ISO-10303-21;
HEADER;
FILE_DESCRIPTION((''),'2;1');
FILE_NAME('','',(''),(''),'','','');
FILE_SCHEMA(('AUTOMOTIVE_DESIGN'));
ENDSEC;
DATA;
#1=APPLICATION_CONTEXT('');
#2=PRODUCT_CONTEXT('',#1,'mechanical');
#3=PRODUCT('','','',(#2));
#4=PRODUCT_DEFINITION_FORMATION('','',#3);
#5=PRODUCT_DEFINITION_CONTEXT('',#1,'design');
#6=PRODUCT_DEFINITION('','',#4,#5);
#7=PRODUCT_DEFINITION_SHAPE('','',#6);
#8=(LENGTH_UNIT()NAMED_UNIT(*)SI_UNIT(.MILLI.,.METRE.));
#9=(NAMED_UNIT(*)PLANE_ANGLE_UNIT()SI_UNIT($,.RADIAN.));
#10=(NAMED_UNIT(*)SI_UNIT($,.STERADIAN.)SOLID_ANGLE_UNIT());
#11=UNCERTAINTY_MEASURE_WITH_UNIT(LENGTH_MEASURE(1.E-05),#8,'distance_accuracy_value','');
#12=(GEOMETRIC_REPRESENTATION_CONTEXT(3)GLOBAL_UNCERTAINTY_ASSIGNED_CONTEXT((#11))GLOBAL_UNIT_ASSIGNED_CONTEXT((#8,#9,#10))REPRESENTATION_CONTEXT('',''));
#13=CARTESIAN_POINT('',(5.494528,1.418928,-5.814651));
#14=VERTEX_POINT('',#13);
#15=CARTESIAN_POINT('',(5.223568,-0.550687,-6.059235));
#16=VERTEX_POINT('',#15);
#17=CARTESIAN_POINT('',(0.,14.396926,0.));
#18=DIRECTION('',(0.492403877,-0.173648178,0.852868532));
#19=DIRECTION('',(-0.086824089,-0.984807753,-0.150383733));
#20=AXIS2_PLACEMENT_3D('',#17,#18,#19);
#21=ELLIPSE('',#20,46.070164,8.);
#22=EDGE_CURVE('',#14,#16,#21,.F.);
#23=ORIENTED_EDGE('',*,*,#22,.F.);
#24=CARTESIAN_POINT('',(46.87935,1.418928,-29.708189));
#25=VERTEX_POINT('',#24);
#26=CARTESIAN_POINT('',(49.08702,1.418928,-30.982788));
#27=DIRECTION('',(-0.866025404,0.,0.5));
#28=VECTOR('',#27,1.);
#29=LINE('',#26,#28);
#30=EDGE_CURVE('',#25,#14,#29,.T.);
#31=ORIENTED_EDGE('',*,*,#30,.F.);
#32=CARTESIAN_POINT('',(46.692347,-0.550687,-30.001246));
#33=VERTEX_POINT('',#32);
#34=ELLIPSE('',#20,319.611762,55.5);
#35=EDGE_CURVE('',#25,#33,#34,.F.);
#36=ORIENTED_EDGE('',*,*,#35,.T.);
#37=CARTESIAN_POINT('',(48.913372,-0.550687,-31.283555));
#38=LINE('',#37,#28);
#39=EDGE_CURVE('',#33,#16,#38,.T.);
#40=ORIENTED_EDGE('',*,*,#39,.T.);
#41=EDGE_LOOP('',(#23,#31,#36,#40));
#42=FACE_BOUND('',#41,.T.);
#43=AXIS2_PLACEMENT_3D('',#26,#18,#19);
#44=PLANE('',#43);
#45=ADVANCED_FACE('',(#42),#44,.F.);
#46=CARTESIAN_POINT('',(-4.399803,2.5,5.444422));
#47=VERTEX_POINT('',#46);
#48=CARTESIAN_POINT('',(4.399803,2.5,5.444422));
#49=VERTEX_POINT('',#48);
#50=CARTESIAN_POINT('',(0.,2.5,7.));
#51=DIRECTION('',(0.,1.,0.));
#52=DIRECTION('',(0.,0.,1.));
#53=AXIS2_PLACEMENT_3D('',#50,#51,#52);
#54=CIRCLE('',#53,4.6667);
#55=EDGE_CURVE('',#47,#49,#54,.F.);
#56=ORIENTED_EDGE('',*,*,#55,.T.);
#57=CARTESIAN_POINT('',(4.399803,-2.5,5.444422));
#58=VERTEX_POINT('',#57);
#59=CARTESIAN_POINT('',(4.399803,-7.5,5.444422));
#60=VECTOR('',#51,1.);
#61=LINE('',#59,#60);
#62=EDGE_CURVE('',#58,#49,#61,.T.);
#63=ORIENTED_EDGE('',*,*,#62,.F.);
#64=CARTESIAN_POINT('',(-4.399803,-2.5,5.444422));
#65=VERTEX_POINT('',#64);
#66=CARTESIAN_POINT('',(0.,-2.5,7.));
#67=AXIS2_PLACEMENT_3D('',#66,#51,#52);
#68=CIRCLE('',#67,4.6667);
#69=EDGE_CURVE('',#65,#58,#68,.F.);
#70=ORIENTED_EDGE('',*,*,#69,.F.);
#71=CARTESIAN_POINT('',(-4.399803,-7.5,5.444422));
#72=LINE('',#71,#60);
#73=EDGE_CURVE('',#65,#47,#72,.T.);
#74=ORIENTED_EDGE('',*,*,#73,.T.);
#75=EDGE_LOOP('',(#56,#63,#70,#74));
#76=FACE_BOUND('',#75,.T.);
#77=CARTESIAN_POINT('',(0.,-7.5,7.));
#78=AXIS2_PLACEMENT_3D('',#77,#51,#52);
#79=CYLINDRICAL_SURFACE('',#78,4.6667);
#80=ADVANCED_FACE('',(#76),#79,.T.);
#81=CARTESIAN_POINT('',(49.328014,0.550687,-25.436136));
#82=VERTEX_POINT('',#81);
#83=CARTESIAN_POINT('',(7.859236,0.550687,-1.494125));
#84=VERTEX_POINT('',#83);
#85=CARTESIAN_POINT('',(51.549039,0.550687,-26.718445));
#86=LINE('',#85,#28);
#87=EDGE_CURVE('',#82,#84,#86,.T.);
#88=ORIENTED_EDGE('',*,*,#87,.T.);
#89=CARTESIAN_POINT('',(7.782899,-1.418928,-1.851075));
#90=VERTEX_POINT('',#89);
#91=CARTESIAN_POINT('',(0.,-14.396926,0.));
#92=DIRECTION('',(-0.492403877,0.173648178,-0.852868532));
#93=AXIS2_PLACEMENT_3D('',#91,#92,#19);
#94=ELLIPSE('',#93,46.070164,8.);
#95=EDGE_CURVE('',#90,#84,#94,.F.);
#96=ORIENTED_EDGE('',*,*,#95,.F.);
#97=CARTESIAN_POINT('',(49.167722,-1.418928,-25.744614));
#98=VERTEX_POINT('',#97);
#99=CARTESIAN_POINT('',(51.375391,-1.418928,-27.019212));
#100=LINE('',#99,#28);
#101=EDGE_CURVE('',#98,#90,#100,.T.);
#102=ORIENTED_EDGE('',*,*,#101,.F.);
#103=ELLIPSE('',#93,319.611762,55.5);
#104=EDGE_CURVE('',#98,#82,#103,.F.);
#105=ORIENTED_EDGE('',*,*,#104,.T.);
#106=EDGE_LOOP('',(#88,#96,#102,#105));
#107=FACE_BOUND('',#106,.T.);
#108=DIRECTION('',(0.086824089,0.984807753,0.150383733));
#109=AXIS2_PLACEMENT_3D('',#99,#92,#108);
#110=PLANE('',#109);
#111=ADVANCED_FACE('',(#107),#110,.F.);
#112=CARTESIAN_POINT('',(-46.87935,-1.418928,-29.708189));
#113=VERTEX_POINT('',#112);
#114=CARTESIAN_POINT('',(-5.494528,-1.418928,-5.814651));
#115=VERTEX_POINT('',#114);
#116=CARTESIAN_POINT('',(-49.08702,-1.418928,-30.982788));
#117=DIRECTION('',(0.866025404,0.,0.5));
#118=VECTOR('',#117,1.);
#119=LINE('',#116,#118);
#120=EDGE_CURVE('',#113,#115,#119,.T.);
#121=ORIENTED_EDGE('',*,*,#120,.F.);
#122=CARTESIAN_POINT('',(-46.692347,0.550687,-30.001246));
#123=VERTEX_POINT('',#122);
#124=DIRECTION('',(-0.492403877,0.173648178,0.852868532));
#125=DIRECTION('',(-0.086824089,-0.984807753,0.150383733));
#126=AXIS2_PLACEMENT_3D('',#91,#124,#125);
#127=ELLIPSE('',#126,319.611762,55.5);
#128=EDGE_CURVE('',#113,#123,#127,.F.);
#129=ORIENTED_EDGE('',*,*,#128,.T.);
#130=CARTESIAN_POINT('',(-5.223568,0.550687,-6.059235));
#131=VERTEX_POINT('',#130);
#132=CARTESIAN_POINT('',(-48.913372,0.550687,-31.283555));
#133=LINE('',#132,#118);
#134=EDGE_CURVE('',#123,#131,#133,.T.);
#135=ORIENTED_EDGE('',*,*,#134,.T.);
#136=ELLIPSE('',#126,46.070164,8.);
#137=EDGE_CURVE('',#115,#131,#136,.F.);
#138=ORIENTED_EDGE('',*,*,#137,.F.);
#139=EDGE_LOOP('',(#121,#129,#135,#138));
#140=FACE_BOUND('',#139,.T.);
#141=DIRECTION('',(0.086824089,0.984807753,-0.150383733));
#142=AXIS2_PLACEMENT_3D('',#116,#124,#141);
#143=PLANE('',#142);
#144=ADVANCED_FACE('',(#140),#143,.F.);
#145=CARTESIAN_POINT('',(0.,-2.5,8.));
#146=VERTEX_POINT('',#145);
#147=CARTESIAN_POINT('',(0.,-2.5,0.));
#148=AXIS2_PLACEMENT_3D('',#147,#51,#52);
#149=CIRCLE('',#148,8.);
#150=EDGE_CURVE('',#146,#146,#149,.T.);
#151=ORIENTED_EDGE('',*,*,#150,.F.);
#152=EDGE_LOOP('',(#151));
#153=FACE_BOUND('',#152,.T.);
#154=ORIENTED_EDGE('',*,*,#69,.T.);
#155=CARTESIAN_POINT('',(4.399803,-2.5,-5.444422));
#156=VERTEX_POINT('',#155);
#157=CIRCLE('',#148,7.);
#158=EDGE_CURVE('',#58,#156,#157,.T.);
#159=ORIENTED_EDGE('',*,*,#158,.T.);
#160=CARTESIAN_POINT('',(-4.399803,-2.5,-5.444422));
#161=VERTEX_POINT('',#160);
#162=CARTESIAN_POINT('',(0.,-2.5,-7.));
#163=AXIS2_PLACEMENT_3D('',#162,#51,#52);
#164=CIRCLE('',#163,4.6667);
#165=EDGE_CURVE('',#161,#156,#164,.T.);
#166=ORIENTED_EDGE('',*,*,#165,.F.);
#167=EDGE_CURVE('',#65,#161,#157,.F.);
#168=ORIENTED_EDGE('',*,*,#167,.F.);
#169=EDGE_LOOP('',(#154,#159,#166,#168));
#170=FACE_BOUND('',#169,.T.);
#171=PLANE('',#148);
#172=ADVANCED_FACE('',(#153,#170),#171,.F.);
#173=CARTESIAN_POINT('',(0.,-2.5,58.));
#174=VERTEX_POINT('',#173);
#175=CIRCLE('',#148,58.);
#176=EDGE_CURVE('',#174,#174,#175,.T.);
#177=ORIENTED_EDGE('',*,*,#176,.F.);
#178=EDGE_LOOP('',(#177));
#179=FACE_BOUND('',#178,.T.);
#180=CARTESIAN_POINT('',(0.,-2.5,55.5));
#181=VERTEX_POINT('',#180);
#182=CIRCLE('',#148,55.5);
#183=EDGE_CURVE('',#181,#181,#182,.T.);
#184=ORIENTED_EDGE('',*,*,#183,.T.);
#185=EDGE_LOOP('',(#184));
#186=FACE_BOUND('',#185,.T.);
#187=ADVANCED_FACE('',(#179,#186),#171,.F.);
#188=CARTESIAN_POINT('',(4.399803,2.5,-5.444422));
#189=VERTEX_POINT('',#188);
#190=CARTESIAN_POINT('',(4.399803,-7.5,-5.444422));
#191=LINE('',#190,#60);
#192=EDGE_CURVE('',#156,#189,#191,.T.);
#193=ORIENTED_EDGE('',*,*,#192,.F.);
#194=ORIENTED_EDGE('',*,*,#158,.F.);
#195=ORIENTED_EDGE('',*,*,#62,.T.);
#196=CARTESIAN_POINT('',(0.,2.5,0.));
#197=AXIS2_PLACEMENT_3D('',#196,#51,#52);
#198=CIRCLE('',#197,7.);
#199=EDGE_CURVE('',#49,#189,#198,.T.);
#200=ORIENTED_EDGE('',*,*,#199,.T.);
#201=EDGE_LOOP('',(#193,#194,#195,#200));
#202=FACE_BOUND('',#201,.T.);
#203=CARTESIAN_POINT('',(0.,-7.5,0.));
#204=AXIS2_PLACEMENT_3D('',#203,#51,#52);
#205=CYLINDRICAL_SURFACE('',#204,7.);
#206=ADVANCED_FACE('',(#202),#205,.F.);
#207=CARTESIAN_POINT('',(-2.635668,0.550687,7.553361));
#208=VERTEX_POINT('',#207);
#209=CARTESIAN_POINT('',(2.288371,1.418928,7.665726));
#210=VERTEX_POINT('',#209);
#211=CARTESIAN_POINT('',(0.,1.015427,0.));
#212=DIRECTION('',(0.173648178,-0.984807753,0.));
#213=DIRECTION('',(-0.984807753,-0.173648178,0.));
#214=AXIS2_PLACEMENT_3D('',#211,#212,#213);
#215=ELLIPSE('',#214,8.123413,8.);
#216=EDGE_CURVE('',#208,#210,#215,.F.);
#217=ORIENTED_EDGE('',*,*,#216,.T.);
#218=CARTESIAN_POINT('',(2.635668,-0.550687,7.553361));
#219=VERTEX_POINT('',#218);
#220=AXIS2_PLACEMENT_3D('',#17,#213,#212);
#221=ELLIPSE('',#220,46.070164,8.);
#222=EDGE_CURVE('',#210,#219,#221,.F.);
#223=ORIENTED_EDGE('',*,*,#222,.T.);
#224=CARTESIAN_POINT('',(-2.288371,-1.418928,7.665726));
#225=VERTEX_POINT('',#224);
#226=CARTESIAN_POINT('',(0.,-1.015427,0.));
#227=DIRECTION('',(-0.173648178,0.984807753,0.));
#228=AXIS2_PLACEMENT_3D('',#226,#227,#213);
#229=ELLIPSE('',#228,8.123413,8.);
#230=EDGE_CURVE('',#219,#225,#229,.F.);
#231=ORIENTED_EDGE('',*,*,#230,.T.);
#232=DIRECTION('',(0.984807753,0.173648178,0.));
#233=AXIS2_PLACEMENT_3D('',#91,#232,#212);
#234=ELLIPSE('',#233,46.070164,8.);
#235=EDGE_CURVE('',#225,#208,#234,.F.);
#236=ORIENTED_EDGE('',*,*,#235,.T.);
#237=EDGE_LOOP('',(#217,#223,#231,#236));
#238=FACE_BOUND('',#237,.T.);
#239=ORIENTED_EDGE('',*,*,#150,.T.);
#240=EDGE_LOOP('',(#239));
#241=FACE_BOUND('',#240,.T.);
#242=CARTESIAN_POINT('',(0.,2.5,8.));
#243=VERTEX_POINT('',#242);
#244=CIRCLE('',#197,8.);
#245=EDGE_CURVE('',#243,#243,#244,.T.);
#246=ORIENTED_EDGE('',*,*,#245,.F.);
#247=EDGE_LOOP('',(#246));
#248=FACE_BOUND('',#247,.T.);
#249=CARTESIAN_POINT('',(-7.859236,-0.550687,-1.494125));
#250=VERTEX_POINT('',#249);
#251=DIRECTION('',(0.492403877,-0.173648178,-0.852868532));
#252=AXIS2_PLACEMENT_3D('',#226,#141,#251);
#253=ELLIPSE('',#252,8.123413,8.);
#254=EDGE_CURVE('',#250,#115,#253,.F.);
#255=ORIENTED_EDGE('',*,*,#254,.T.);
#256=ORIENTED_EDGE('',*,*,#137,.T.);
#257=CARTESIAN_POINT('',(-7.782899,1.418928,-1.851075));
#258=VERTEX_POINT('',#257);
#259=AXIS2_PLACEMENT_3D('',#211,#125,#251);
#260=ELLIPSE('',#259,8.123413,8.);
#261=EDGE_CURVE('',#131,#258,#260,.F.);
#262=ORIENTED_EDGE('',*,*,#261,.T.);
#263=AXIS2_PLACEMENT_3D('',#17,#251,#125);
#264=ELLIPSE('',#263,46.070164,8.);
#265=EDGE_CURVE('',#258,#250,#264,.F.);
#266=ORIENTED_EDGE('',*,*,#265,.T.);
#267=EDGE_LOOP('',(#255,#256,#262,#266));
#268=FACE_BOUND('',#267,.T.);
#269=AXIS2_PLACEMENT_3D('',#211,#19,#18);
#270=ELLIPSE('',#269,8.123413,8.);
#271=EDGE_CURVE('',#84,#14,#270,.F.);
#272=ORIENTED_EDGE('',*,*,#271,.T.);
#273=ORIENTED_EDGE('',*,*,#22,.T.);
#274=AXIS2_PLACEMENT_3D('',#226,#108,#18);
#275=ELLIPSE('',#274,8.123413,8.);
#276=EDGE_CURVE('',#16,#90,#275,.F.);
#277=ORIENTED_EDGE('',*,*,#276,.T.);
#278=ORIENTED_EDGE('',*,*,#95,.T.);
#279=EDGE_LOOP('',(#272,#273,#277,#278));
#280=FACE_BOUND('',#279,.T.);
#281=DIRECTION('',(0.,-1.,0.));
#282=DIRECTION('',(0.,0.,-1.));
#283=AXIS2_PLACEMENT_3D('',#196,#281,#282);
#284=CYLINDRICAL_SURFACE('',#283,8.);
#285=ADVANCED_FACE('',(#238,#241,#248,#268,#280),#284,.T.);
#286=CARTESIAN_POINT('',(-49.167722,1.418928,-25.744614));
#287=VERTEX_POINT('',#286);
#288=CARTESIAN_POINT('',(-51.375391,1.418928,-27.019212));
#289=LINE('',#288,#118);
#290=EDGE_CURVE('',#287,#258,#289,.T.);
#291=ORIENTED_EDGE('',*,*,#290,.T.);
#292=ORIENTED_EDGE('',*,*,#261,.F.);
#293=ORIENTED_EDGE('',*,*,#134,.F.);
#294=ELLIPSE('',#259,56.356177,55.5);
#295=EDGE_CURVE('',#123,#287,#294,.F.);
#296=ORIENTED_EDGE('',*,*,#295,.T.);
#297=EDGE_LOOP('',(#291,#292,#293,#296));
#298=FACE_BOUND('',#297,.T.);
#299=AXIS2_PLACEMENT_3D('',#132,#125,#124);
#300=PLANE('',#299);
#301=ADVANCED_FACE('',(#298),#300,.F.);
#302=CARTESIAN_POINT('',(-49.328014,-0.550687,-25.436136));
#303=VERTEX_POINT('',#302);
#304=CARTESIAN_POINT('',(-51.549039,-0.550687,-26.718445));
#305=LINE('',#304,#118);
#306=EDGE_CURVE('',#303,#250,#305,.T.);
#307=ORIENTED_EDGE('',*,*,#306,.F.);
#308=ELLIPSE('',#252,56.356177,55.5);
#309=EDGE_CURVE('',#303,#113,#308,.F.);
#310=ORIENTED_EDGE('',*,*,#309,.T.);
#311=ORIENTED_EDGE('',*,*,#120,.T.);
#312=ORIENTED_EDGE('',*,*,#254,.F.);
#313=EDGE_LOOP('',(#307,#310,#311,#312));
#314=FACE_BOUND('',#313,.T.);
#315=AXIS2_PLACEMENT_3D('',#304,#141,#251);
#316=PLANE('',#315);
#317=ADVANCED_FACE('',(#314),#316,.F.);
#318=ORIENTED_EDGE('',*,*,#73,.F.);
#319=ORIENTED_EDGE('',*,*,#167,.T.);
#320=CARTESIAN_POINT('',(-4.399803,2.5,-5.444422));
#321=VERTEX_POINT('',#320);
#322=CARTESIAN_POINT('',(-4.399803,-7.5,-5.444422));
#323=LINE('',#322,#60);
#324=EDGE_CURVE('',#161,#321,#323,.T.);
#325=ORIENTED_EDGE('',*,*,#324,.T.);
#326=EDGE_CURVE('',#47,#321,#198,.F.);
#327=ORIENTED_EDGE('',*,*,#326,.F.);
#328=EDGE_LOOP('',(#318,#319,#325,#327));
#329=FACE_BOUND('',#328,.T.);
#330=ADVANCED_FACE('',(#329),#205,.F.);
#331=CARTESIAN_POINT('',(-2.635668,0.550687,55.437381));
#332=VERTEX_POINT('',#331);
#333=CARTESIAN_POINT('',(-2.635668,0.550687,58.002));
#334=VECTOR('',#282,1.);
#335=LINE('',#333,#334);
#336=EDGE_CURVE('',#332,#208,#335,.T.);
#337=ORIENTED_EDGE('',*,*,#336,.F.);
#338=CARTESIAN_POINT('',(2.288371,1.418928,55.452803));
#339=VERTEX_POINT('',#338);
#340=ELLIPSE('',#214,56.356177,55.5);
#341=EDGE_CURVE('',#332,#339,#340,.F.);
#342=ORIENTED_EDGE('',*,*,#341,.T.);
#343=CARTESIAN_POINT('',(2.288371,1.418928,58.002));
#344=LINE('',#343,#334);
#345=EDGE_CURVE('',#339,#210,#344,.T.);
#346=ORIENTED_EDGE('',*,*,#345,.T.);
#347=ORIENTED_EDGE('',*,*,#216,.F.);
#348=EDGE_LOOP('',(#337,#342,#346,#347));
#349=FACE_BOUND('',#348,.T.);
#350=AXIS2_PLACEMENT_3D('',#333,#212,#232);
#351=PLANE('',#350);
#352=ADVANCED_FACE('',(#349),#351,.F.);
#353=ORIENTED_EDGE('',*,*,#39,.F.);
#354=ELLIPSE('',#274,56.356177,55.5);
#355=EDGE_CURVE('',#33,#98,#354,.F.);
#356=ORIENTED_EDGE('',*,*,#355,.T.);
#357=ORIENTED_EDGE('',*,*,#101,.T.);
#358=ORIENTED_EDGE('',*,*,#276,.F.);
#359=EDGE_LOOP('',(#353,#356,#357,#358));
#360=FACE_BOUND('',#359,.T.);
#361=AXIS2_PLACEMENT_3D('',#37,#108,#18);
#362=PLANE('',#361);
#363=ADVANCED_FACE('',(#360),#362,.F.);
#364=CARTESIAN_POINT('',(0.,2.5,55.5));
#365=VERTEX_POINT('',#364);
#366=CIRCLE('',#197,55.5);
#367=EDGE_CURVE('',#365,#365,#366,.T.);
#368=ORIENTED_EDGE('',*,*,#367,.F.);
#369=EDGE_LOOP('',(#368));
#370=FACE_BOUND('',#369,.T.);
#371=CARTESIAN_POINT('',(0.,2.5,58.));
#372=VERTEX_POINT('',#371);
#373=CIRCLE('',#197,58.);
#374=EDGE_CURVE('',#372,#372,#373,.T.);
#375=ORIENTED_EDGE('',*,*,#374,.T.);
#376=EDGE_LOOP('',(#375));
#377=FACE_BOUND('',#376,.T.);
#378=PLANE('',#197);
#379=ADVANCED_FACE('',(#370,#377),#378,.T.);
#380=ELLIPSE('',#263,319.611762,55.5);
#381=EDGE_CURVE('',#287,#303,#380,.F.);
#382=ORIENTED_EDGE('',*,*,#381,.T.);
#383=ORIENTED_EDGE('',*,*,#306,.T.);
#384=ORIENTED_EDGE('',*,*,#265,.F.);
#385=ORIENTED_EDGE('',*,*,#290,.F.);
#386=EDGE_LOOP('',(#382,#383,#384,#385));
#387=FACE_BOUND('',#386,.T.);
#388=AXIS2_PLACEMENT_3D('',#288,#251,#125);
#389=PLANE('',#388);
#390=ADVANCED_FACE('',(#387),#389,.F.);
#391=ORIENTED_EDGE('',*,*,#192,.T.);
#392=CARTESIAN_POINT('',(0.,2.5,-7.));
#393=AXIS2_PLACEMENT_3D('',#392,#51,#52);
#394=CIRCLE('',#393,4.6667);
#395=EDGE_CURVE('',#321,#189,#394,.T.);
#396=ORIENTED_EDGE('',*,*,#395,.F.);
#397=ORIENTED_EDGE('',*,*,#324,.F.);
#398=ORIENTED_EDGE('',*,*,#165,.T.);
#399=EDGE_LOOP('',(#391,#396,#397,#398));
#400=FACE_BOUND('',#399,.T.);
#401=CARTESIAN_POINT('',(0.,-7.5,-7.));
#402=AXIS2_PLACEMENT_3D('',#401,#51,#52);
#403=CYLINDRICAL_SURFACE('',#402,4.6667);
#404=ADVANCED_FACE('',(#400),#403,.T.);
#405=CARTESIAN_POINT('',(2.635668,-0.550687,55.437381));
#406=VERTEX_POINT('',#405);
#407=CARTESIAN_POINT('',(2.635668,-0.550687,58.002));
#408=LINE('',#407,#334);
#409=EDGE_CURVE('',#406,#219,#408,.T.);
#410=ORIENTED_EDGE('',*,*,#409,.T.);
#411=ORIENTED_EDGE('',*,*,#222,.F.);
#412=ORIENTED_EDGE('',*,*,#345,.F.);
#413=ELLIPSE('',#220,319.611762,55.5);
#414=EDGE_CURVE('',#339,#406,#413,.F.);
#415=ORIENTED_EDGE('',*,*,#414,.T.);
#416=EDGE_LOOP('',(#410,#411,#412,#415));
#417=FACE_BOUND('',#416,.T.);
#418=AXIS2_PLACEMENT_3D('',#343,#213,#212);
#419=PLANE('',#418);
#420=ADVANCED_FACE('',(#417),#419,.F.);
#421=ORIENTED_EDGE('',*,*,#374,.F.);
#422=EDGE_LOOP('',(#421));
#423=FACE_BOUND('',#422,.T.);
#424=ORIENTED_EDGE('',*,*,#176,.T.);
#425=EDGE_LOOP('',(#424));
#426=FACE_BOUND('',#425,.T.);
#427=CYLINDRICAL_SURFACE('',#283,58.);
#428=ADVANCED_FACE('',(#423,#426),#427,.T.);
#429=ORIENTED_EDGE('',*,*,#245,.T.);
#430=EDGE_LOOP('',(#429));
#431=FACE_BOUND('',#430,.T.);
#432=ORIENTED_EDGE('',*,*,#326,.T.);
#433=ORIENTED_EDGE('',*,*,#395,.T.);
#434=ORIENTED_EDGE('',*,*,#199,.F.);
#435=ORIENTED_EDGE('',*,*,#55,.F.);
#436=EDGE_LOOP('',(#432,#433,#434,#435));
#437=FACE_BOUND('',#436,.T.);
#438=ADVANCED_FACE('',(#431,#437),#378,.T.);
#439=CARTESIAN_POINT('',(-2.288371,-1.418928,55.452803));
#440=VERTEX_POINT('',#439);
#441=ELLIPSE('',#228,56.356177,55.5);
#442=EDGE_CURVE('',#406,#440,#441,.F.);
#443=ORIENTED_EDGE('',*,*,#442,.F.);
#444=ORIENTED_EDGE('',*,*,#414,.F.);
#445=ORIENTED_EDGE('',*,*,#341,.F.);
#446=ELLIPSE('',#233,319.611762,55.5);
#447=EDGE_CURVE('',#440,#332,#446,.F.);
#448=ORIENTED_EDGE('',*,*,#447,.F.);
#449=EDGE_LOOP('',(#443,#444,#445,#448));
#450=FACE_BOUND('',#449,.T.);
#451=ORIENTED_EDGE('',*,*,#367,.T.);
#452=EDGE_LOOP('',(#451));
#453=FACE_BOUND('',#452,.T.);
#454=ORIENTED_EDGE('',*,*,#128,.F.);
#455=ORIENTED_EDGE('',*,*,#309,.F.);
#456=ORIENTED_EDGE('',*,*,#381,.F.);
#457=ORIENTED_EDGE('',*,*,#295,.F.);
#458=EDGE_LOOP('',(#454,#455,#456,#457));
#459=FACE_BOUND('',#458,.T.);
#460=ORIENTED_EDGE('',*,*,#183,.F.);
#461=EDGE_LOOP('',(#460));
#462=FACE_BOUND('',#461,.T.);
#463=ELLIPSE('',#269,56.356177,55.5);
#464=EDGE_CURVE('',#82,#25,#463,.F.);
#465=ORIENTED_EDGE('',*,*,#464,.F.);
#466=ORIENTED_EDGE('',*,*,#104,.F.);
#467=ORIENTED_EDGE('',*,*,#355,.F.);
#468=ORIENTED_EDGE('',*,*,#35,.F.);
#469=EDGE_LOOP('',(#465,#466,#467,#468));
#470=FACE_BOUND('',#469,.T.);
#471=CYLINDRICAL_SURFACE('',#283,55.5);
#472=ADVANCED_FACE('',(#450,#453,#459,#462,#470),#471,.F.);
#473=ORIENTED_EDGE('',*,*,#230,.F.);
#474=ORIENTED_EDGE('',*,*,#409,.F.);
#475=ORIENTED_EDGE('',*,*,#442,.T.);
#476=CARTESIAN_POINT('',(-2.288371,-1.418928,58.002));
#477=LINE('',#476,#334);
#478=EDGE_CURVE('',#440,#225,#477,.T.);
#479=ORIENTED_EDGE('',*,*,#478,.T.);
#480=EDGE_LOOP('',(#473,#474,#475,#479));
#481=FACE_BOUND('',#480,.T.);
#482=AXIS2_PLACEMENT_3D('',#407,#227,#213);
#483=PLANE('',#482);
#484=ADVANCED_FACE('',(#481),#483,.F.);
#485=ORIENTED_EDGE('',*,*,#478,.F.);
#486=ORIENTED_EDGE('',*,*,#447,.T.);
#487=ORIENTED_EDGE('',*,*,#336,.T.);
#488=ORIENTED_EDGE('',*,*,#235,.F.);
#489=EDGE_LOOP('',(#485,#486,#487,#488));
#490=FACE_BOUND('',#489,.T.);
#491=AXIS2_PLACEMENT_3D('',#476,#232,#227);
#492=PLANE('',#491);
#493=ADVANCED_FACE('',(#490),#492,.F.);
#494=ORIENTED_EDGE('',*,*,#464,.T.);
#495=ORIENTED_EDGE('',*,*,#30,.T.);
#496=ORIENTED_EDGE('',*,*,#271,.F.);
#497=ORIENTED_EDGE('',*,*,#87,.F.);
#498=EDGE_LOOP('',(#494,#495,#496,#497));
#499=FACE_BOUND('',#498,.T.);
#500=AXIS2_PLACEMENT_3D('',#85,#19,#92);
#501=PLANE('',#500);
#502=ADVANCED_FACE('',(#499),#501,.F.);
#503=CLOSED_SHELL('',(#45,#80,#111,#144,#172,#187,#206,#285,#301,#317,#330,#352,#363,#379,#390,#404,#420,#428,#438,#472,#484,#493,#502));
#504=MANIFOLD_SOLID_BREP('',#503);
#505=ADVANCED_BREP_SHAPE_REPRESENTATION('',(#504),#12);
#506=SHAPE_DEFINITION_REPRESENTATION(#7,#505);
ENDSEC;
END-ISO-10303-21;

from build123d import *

# Parameters (mm, degrees)
SKETCH7_R                = 58
SKETCH7_R_2              = 55.5
BOSS_EXTRUDE4_DEPTH      = 2.5
BOSS_EXTRUDE5_REACH      = 84.062
BOSS_EXTRUDE5_END_RADIUS = 55.5
SKETCH2_R                = 8
BOSS_EXTRUDE6_DEPTH      = 2.5
CIRPATTERN5_COUNT        = 3
CUT_EXTRUDE2_DEPTH       = 10


with BuildPart() as part:
    # Sketch7 → Boss-Extrude4 (new, symmetric)
    with BuildSketch(Plane(origin=(0, 0, 0), x_dir=(1, 0, 0), z_dir=(0, 1, 0))):
        with Locations(Location((0, 0, 0), (0, 0, 270))):
            Circle(SKETCH7_R)
        with Locations(Location((0, 0, 0), (0, 0, 270))):
            Circle(SKETCH7_R_2, mode=Mode.SUBTRACT)
    extrude(amount=BOSS_EXTRUDE4_DEPTH, both=True)

    # Boss-Extrude5: up to this cylinder (the profile starts inside it)
    boss_extrude5_end = Plane(origin=(0, 0, 0), z_dir=(0, -1, 0)) * Cylinder(BOSS_EXTRUDE5_END_RADIUS, 280.124, mode=Mode.PRIVATE)
    # Sketch1 → Boss-Extrude5 (add, up to the surface)
    with BuildSketch(Plane.XY, mode=Mode.PRIVATE) as boss_extrude5_sk1:
        Polygon((2.288371205, 1.418928197), (2.63566756, -0.550687309), (-2.288371205, -1.418928197), (-2.63566756, 0.550687309), align=None)
    boss_extrude5_tool1 = extrude(boss_extrude5_sk1.sketch, amount=BOSS_EXTRUDE5_REACH, mode=Mode.PRIVATE) & boss_extrude5_end
    boss_extrude5 = boss_extrude5_tool1.solids().sort_by_distance((0, 0, 0))[0]
    add(boss_extrude5)

    # Sketch2 → Boss-Extrude6 (add, symmetric)
    with BuildSketch(Plane(origin=(0, 0, 0), x_dir=(1, 0, 0), z_dir=(0, 1, 0))):
        with Locations(Location((0, 0, 0), (0, 0, 270))):
            Circle(SKETCH2_R)
    extrude(amount=BOSS_EXTRUDE6_DEPTH, both=True)

    # CirPattern5: Boss-Extrude5 ×3 about axis
    cirpattern5_axis = Axis((0, 0, 0), (0, 1, 0))
    for i in range(1, CIRPATTERN5_COUNT):
        add(boss_extrude5.rotate(cirpattern5_axis, i * 360 / CIRPATTERN5_COUNT))

    # Sketch9 → Cut-Extrude2 (cut)
    with BuildSketch(Plane(origin=(0, 2.5, 0), x_dir=(1, 0, 0), z_dir=(0, 1, 0))):
        with BuildLine():
            ThreePointArc((-4.399803026, -5.444422222), (-7, 0), (-4.399803026, 5.444422222))
            ThreePointArc((-4.399803026, 5.444422222), (0, 2.3333), (4.399803026, 5.444422222))
            ThreePointArc((4.399803026, 5.444422222), (7, 0), (4.399803026, -5.444422222))
            ThreePointArc((4.399803026, -5.444422222), (0, -2.3333), (-4.399803026, -5.444422222))
        make_face()
    extrude(amount=-CUT_EXTRUDE2_DEPTH, mode=Mode.SUBTRACT)


solid = part.part
